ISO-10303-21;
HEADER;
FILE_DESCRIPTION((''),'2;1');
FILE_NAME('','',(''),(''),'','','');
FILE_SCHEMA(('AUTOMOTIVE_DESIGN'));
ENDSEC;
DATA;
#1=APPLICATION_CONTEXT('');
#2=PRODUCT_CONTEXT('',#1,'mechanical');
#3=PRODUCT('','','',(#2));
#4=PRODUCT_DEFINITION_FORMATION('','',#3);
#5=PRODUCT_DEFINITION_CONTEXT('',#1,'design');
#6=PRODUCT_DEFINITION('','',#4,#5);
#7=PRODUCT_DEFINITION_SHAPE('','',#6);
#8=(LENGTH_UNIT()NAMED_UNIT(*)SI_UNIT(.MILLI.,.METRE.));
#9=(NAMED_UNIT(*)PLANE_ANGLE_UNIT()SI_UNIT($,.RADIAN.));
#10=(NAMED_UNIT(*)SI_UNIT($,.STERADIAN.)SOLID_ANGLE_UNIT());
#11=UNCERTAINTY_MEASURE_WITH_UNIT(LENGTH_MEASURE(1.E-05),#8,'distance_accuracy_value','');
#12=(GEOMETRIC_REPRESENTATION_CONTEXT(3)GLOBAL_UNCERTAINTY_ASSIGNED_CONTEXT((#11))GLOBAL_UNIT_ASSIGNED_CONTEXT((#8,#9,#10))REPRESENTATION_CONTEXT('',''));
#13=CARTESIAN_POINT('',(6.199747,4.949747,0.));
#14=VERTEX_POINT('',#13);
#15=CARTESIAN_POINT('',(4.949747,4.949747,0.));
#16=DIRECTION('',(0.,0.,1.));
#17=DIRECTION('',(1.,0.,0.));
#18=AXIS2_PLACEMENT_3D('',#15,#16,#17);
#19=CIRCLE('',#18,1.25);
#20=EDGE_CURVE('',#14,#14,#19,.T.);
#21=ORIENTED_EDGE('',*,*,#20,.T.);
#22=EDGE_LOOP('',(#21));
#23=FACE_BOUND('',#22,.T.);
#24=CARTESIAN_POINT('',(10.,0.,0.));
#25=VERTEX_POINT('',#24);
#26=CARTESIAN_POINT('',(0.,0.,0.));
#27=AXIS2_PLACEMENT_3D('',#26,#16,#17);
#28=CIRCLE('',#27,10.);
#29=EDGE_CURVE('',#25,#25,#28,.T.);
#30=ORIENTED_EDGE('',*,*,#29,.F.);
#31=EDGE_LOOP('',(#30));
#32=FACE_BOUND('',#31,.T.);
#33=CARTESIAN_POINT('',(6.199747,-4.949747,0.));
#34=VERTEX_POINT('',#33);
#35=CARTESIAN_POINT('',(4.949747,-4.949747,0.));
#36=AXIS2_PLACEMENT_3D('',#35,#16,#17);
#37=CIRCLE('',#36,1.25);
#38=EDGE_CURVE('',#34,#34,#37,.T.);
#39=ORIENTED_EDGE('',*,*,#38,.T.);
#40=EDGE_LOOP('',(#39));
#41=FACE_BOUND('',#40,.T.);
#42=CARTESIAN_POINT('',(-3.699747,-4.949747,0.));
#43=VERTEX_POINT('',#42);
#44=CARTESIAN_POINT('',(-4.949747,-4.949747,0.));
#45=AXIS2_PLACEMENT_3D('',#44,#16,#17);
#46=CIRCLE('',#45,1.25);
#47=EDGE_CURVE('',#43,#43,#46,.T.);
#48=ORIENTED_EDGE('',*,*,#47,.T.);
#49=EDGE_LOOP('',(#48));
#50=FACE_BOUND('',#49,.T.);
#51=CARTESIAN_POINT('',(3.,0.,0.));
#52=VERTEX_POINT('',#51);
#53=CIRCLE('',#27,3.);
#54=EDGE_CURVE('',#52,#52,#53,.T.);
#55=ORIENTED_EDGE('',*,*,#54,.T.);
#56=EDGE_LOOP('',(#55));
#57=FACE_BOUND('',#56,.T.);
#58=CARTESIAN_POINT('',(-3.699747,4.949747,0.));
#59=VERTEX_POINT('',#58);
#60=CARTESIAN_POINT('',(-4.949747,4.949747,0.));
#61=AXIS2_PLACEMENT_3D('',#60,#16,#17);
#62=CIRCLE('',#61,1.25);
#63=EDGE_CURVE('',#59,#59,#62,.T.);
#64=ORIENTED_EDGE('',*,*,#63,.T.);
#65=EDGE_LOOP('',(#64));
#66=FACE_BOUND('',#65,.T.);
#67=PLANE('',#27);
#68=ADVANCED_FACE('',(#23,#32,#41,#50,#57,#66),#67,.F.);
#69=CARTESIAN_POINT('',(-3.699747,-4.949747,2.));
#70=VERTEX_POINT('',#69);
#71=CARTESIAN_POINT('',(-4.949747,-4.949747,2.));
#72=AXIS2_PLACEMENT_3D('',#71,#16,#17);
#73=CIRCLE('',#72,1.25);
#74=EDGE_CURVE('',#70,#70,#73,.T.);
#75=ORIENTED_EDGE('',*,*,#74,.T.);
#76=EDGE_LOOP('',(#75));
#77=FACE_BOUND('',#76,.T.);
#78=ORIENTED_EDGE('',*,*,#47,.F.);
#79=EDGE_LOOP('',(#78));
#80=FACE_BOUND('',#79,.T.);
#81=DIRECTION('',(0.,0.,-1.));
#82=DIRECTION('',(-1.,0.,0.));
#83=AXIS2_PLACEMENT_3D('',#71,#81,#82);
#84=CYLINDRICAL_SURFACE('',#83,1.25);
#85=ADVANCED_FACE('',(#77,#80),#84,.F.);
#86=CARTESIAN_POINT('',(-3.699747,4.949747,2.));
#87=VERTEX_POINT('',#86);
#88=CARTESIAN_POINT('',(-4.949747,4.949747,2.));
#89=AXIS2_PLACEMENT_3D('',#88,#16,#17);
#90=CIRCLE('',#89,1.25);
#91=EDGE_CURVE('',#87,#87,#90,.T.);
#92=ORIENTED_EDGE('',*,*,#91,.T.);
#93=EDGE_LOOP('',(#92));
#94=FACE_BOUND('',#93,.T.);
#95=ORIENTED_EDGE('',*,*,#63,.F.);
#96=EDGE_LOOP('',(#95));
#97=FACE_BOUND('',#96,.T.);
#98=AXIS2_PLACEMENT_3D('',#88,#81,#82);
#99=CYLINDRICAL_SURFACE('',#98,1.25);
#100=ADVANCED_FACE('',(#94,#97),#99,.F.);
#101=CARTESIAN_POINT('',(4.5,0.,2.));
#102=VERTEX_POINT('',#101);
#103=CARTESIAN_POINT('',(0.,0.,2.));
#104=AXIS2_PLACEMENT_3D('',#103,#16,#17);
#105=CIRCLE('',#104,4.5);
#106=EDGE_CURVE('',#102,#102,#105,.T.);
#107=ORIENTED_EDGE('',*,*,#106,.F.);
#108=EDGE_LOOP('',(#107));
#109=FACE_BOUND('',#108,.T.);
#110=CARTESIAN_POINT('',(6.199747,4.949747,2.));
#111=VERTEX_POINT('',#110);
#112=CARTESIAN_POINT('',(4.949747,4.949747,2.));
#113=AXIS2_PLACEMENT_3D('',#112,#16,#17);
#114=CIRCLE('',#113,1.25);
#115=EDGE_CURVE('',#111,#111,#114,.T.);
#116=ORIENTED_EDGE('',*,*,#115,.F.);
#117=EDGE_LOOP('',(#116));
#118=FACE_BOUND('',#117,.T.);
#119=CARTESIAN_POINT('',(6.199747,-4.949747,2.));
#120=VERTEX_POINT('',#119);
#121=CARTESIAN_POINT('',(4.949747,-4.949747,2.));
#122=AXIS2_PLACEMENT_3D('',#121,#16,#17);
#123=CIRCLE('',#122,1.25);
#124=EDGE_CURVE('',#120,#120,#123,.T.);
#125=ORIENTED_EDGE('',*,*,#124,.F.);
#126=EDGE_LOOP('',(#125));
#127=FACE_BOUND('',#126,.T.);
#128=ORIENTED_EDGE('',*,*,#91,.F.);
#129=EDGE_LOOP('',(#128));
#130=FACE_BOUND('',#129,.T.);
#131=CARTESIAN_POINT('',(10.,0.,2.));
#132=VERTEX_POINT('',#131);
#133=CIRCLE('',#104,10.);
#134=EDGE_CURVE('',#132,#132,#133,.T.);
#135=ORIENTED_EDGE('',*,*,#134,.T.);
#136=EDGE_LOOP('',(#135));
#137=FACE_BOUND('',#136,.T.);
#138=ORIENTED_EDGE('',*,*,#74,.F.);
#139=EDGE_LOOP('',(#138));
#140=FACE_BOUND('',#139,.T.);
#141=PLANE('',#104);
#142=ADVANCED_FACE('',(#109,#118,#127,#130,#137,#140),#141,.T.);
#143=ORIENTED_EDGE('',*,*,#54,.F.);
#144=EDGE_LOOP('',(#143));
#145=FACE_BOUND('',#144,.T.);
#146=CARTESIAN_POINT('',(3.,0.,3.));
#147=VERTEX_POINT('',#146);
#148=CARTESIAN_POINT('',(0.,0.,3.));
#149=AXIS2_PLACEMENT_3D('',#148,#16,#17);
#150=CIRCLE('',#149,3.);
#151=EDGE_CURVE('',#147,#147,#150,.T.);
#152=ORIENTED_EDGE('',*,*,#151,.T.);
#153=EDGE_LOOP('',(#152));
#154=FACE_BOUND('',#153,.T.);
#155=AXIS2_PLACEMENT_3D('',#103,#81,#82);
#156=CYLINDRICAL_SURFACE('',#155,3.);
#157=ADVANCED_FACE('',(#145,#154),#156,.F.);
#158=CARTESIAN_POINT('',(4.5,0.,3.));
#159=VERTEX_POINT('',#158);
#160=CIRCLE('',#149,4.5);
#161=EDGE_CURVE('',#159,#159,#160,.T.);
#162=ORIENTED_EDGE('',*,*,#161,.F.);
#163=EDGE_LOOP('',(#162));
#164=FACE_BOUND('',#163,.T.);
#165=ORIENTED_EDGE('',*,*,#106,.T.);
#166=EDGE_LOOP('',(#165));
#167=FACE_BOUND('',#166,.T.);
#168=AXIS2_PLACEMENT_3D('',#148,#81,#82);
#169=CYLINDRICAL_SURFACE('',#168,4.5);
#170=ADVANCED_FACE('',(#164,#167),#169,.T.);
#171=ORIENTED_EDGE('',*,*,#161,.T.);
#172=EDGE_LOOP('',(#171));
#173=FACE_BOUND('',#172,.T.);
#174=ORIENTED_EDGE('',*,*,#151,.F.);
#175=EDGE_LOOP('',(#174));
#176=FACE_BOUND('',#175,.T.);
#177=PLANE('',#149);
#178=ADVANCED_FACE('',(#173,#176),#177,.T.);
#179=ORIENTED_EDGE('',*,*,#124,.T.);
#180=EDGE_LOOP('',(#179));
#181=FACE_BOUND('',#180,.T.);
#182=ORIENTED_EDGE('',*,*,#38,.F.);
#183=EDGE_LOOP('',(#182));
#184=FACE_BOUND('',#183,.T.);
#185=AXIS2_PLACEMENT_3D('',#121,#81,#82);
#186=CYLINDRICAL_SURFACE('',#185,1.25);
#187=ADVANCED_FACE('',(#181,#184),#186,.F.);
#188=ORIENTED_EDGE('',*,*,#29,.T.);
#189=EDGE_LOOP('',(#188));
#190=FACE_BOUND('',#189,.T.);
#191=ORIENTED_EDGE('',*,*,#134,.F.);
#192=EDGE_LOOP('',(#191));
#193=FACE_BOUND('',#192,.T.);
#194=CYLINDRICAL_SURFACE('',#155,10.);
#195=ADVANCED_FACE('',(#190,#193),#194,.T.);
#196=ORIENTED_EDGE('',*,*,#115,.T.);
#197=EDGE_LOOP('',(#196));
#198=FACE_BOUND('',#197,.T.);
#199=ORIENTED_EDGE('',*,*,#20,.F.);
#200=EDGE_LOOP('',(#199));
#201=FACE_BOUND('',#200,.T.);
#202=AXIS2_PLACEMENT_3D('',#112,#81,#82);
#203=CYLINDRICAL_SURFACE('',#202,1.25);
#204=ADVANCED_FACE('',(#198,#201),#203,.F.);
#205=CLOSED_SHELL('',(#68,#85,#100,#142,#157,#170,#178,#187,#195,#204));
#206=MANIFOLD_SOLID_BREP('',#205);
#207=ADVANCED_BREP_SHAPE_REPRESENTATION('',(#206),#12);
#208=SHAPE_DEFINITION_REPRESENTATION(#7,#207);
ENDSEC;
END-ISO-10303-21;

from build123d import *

# Parameters (mm, degrees)
SKETCH_1_R      = 10
SKETCH_1_R_2    = 1.25
SKETCH_1_R_3    = 3
EXTRUDE_1_DEPTH = 2
SKETCH_2_R      = 4.5
SKETCH_2_R_2    = 3
EXTRUDE_2_DEPTH = 1


with BuildPart() as part:
    # 草图1 → 凸台-拉伸1 (new body)
    with BuildSketch(Plane.XY):
        Circle(SKETCH_1_R)
        with Locations((-4.949747468, 4.949747468)):
            Circle(SKETCH_1_R_2, mode=Mode.SUBTRACT)
        with Locations((4.949747468, 4.949747468)):
            Circle(SKETCH_1_R_2, mode=Mode.SUBTRACT)
        with Locations((4.949747468, -4.949747468)):
            Circle(SKETCH_1_R_2, mode=Mode.SUBTRACT)
        with Locations((-4.949747468, -4.949747468)):
            Circle(SKETCH_1_R_2, mode=Mode.SUBTRACT)
        Circle(SKETCH_1_R_3, mode=Mode.SUBTRACT)
    extrude(amount=EXTRUDE_1_DEPTH)

    # 草图2 → 凸台-拉伸2 (add)
    with BuildSketch(Plane.XY.offset(2)):
        Circle(SKETCH_2_R)
        Circle(SKETCH_2_R_2, mode=Mode.SUBTRACT)
    extrude(amount=EXTRUDE_2_DEPTH)


solid = part.part
